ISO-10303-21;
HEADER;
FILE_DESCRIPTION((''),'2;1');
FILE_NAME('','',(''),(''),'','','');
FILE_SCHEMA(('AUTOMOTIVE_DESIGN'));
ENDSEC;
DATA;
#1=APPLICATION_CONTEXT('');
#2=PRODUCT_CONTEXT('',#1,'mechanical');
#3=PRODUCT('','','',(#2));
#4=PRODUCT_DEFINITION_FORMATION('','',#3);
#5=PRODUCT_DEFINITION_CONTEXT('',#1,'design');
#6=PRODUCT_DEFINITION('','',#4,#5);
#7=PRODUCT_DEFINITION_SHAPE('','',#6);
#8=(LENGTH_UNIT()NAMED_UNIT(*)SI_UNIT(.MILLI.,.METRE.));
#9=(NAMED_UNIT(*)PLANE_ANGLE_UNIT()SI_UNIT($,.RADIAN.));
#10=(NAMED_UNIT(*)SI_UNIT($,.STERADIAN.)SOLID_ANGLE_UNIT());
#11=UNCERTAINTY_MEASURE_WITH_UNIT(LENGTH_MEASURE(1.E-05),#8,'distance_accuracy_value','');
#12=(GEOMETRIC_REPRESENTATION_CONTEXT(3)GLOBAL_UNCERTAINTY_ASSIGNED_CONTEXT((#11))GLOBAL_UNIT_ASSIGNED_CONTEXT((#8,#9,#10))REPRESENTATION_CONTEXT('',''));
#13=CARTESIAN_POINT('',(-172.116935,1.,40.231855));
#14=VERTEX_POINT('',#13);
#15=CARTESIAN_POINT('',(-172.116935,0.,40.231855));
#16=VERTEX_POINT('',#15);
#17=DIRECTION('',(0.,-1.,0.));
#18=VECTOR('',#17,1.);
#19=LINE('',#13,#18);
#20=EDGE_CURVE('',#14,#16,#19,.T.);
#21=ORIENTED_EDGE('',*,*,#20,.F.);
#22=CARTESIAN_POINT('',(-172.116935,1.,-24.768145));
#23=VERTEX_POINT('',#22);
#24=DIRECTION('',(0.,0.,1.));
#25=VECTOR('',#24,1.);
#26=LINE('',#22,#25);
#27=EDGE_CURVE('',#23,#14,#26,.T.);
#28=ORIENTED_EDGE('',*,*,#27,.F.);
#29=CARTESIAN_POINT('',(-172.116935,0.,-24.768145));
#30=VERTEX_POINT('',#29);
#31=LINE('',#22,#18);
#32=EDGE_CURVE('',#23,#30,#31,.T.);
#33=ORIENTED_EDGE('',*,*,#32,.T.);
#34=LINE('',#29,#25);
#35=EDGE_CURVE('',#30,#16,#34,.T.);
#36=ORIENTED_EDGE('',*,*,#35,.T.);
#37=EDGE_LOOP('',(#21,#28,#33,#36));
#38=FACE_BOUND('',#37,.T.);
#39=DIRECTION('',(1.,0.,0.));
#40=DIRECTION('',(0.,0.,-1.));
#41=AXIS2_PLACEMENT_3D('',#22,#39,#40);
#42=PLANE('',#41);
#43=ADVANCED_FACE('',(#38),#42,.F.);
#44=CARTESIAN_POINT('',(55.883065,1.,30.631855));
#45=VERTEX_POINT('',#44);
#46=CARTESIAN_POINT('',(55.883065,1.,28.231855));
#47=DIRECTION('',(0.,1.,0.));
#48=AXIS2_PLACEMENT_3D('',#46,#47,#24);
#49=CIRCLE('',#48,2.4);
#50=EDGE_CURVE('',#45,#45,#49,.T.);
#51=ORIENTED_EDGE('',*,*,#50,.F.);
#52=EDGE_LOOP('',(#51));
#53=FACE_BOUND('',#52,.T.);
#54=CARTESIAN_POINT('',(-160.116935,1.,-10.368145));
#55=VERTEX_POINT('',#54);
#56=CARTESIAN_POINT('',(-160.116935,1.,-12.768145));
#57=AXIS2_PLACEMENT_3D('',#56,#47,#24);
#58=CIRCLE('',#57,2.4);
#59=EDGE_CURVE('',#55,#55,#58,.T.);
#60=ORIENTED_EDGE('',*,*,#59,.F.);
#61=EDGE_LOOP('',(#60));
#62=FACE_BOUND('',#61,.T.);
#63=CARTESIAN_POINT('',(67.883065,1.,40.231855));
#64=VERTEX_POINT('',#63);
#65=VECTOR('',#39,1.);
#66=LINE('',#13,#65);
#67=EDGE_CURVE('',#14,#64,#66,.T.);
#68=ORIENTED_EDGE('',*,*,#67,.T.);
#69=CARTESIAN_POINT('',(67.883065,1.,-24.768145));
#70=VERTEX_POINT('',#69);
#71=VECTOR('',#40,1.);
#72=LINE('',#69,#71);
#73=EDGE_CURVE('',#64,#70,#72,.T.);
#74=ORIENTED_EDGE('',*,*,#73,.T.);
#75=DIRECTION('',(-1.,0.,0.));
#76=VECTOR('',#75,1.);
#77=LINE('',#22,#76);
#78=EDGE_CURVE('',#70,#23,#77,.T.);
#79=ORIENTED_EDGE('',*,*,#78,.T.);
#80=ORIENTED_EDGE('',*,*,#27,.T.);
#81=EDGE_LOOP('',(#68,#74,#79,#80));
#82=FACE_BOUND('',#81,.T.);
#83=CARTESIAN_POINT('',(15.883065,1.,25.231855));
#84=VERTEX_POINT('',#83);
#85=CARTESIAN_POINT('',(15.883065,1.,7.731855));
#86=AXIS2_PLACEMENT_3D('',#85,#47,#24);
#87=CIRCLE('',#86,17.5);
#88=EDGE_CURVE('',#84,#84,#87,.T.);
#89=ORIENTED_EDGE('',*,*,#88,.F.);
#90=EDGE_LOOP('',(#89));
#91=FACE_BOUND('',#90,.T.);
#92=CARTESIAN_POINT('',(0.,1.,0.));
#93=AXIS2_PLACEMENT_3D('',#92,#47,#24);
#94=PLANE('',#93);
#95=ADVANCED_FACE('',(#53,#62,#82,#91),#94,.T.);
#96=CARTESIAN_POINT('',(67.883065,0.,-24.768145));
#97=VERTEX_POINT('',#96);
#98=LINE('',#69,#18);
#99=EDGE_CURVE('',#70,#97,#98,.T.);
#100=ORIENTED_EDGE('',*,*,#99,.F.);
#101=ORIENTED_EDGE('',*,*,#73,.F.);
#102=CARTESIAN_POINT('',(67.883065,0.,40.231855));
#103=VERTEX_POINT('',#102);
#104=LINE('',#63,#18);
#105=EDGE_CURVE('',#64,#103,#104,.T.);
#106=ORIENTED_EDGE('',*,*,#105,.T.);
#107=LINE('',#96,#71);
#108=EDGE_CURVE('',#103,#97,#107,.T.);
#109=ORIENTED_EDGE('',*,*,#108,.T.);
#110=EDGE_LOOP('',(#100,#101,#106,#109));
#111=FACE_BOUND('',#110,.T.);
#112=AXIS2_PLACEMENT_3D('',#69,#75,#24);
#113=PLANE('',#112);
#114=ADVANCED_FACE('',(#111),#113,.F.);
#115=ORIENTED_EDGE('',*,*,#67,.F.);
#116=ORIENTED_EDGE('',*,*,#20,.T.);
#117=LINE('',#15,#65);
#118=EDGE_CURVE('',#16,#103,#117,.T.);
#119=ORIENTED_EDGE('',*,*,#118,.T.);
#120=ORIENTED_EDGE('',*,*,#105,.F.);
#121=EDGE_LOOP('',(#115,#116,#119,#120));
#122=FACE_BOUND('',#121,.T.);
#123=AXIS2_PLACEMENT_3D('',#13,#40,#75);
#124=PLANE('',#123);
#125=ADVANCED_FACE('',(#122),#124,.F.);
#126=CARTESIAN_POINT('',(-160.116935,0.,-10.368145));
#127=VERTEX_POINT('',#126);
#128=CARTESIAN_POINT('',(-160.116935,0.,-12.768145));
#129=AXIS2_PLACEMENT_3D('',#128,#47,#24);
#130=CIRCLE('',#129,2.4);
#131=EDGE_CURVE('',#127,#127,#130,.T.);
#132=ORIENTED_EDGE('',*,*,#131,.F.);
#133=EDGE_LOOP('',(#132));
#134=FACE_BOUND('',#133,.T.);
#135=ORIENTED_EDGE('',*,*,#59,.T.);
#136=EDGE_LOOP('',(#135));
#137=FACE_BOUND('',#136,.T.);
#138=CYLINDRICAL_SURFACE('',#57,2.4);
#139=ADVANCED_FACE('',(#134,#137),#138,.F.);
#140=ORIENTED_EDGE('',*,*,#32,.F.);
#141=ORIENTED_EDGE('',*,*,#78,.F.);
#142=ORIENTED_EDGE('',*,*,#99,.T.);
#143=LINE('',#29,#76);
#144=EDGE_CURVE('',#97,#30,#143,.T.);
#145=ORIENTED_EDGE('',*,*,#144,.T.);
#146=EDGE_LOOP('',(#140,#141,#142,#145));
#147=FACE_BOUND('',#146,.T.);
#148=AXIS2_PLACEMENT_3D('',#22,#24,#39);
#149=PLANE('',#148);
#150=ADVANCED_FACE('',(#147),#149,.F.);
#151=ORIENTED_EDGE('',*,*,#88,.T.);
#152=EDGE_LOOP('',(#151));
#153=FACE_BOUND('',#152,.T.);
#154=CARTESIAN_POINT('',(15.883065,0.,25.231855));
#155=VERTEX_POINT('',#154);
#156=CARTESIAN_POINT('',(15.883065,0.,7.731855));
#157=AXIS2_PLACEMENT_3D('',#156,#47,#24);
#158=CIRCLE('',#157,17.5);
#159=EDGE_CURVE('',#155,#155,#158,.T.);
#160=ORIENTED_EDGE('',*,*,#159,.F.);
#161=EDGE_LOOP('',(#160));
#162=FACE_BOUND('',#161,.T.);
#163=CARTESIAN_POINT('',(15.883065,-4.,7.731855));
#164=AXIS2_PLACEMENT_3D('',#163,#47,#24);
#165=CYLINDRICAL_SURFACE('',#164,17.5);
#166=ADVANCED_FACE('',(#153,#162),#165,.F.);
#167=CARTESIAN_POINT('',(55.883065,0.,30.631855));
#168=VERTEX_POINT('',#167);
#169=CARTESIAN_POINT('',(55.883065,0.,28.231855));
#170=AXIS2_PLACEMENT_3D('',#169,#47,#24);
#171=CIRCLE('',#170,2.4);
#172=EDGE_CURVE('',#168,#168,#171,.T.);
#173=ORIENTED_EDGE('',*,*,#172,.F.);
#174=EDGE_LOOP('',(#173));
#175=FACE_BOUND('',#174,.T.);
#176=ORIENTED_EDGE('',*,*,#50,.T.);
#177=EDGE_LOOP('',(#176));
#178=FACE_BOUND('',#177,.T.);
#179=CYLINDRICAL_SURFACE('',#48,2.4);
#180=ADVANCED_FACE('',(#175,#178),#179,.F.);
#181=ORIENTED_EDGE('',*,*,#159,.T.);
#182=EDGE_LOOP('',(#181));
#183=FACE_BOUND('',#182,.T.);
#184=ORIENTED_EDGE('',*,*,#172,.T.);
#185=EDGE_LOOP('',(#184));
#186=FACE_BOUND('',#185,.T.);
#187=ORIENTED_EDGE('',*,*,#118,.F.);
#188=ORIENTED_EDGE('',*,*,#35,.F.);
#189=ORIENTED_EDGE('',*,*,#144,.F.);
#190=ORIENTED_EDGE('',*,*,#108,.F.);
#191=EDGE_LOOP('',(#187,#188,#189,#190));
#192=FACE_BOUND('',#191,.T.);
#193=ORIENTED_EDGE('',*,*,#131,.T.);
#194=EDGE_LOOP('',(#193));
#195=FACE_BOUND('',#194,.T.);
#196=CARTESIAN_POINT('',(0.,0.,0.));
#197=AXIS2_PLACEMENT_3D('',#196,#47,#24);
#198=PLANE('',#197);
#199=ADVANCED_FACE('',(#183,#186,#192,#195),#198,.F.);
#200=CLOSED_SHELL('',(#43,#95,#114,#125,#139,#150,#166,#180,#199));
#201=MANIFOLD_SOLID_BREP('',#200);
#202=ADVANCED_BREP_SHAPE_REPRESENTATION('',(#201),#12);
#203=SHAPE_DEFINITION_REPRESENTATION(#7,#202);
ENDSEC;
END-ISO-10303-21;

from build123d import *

# Parameters (mm, degrees)
SKETCH1_W            = 240
SKETCH1_H            = 65
BOSS_EXTRUDE1_DEPTH  = 1
M4_CLEARANCE_SLOT1_D = 4.8
SKETCH4_R            = 17.5
CUT_EXTRUDE1_DEPTH   = 5


with BuildPart() as part:
    # Sketch1 → Boss-Extrude1 (new body)
    with BuildSketch(Plane(origin=(0, 0, 0), x_dir=(1, 0, 0), z_dir=(0, 1, 0))):
        with Locations((-52.116935484, -7.731854839)):
            Rectangle(SKETCH1_W, SKETCH1_H)
    extrude(amount=BOSS_EXTRUDE1_DEPTH)

    # M4 Clearance Slot1 (through all)
    with Locations(Plane(origin=(0, 1, 0), x_dir=(1, 0, 0), z_dir=(0, 1, 0))):
        with Locations((-160.116935484, 12.768145161), (55.883064516, -28.231854839)):
            Hole(M4_CLEARANCE_SLOT1_D / 2)

    # Sketch4 → Cut-Extrude1 (cut)
    with BuildSketch(Plane(origin=(0, 1, 0), x_dir=(1, 0, 0), z_dir=(0, 1, 0))):
        with Locations(Location((15.883064516, -7.731854839, 0), (0, 0, 270))):
            Circle(SKETCH4_R)
    extrude(amount=-CUT_EXTRUDE1_DEPTH, mode=Mode.SUBTRACT)


solid = part.part
